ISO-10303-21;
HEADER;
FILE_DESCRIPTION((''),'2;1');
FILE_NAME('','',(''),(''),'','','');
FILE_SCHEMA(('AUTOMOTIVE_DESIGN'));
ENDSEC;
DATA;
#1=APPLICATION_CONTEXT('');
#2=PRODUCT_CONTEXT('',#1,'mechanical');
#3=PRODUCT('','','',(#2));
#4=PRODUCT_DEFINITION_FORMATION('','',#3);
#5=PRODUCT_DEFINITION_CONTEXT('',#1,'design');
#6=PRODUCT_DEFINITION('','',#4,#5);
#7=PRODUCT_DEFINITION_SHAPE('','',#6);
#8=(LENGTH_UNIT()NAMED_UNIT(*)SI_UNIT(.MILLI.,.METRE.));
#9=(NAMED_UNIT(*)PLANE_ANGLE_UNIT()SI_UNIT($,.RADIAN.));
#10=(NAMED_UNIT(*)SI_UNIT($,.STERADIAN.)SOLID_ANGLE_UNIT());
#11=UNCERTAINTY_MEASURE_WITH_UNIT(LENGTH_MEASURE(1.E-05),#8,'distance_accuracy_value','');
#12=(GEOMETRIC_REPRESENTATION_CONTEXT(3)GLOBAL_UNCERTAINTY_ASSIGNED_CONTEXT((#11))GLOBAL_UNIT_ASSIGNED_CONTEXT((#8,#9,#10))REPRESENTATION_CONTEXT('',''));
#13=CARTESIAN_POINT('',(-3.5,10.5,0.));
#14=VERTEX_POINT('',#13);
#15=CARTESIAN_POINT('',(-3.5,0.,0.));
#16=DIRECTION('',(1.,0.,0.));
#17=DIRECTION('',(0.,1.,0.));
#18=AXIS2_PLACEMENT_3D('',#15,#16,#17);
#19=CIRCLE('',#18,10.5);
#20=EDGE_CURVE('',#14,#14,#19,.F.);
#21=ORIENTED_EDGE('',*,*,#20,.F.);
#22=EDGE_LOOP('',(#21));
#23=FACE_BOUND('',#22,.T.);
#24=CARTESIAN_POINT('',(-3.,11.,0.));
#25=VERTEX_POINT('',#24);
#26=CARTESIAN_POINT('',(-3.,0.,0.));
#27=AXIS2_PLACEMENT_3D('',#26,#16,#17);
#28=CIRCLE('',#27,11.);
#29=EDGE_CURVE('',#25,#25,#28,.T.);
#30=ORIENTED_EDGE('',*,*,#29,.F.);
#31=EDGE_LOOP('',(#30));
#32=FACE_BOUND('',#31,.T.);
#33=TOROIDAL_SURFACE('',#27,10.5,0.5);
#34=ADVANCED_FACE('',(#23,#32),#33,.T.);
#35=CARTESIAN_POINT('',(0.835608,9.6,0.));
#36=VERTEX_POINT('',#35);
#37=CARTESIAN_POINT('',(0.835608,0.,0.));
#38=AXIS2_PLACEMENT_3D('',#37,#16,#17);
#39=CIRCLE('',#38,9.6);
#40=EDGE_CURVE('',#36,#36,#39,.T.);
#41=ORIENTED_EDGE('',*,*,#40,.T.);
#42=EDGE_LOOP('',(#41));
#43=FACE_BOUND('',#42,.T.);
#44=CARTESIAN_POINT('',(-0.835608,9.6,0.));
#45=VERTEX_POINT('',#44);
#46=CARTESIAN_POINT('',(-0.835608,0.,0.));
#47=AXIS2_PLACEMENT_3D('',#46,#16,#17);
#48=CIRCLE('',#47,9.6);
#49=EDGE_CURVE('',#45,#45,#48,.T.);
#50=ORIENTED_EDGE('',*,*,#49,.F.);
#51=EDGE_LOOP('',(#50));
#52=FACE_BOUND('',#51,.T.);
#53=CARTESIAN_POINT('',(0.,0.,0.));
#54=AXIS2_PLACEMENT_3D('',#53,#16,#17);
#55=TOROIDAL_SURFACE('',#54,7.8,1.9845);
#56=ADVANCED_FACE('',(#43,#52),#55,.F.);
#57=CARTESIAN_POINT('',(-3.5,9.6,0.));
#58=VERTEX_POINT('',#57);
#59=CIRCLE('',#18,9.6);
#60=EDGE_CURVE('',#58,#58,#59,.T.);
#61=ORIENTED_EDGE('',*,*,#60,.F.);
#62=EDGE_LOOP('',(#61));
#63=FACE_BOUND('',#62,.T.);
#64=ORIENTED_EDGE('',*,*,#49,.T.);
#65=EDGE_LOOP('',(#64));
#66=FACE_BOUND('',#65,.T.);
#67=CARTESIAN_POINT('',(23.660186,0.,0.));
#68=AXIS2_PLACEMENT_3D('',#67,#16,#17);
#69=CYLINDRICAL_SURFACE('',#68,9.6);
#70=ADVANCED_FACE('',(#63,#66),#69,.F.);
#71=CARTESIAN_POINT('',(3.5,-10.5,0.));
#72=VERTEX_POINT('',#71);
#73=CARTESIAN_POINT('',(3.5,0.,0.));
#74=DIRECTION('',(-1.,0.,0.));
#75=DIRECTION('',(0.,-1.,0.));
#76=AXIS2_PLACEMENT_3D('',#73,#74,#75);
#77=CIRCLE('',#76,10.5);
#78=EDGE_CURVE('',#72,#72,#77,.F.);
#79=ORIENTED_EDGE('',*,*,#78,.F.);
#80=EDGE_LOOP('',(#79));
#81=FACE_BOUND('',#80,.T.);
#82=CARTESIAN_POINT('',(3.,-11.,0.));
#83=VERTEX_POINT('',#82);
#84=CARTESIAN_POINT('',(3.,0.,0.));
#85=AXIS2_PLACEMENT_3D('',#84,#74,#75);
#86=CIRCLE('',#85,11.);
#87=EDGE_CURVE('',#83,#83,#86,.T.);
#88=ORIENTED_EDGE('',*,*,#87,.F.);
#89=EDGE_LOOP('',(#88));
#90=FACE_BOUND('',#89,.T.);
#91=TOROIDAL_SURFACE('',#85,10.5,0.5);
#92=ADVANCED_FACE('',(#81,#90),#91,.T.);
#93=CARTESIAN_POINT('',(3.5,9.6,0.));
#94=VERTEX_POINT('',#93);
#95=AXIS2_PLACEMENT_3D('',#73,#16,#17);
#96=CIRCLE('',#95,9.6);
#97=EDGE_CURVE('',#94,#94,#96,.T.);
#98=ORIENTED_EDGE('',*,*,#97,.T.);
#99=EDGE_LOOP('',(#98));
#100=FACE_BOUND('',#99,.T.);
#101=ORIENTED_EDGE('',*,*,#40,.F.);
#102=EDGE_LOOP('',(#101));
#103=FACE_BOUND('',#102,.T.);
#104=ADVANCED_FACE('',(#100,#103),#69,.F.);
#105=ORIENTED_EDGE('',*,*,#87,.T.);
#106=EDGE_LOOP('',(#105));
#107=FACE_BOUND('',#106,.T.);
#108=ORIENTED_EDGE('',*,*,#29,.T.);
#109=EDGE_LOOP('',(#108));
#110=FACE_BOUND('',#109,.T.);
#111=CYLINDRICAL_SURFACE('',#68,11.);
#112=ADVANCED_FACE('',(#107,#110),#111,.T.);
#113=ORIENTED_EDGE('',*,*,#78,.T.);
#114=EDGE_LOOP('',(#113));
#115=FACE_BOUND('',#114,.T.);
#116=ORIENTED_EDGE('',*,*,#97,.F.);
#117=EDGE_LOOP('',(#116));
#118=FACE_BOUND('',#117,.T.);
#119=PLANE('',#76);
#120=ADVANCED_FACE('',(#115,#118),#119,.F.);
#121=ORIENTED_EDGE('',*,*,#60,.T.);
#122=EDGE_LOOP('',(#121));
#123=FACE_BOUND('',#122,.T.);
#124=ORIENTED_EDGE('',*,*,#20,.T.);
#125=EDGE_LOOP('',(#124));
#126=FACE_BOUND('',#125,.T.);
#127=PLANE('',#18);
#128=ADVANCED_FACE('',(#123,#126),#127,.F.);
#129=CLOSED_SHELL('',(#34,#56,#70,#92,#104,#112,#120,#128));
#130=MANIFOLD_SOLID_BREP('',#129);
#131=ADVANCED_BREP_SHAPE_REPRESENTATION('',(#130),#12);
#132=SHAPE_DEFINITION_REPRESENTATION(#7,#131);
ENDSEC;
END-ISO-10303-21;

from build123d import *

# Parameters (mm, degrees)
FILLET1_R = 0.5


with BuildPart() as part:
    # Sketch2 → Revolve1 (revolve)
    with BuildSketch(Plane.XY):
        with BuildLine():
            Line((3.5, 9.6), (3.5, 11))
            Line((3.5, 11), (-3.5, 11))
            Line((-3.5, 11), (-3.5, 9.6))
            Line((-3.5, 9.6), (-0.835607713, 9.6))
            ThreePointArc((-0.835607713, 9.6), (0, 9.7845), (0.835607713, 9.6))
            Line((0.835607713, 9.6), (3.5, 9.6))
        make_face()
    revolve(axis=Axis((23.660185957, 0, 0), (-1, 0, 0)))

    # Fillet1
    fillet1_edges = [part.edges().sort_by_distance(p)[0] for p in [
        (-3.5, -11, 0),
        (3.5, -11, 0),
    ]]
    fillet(fillet1_edges, radius=FILLET1_R)


solid = part.part
